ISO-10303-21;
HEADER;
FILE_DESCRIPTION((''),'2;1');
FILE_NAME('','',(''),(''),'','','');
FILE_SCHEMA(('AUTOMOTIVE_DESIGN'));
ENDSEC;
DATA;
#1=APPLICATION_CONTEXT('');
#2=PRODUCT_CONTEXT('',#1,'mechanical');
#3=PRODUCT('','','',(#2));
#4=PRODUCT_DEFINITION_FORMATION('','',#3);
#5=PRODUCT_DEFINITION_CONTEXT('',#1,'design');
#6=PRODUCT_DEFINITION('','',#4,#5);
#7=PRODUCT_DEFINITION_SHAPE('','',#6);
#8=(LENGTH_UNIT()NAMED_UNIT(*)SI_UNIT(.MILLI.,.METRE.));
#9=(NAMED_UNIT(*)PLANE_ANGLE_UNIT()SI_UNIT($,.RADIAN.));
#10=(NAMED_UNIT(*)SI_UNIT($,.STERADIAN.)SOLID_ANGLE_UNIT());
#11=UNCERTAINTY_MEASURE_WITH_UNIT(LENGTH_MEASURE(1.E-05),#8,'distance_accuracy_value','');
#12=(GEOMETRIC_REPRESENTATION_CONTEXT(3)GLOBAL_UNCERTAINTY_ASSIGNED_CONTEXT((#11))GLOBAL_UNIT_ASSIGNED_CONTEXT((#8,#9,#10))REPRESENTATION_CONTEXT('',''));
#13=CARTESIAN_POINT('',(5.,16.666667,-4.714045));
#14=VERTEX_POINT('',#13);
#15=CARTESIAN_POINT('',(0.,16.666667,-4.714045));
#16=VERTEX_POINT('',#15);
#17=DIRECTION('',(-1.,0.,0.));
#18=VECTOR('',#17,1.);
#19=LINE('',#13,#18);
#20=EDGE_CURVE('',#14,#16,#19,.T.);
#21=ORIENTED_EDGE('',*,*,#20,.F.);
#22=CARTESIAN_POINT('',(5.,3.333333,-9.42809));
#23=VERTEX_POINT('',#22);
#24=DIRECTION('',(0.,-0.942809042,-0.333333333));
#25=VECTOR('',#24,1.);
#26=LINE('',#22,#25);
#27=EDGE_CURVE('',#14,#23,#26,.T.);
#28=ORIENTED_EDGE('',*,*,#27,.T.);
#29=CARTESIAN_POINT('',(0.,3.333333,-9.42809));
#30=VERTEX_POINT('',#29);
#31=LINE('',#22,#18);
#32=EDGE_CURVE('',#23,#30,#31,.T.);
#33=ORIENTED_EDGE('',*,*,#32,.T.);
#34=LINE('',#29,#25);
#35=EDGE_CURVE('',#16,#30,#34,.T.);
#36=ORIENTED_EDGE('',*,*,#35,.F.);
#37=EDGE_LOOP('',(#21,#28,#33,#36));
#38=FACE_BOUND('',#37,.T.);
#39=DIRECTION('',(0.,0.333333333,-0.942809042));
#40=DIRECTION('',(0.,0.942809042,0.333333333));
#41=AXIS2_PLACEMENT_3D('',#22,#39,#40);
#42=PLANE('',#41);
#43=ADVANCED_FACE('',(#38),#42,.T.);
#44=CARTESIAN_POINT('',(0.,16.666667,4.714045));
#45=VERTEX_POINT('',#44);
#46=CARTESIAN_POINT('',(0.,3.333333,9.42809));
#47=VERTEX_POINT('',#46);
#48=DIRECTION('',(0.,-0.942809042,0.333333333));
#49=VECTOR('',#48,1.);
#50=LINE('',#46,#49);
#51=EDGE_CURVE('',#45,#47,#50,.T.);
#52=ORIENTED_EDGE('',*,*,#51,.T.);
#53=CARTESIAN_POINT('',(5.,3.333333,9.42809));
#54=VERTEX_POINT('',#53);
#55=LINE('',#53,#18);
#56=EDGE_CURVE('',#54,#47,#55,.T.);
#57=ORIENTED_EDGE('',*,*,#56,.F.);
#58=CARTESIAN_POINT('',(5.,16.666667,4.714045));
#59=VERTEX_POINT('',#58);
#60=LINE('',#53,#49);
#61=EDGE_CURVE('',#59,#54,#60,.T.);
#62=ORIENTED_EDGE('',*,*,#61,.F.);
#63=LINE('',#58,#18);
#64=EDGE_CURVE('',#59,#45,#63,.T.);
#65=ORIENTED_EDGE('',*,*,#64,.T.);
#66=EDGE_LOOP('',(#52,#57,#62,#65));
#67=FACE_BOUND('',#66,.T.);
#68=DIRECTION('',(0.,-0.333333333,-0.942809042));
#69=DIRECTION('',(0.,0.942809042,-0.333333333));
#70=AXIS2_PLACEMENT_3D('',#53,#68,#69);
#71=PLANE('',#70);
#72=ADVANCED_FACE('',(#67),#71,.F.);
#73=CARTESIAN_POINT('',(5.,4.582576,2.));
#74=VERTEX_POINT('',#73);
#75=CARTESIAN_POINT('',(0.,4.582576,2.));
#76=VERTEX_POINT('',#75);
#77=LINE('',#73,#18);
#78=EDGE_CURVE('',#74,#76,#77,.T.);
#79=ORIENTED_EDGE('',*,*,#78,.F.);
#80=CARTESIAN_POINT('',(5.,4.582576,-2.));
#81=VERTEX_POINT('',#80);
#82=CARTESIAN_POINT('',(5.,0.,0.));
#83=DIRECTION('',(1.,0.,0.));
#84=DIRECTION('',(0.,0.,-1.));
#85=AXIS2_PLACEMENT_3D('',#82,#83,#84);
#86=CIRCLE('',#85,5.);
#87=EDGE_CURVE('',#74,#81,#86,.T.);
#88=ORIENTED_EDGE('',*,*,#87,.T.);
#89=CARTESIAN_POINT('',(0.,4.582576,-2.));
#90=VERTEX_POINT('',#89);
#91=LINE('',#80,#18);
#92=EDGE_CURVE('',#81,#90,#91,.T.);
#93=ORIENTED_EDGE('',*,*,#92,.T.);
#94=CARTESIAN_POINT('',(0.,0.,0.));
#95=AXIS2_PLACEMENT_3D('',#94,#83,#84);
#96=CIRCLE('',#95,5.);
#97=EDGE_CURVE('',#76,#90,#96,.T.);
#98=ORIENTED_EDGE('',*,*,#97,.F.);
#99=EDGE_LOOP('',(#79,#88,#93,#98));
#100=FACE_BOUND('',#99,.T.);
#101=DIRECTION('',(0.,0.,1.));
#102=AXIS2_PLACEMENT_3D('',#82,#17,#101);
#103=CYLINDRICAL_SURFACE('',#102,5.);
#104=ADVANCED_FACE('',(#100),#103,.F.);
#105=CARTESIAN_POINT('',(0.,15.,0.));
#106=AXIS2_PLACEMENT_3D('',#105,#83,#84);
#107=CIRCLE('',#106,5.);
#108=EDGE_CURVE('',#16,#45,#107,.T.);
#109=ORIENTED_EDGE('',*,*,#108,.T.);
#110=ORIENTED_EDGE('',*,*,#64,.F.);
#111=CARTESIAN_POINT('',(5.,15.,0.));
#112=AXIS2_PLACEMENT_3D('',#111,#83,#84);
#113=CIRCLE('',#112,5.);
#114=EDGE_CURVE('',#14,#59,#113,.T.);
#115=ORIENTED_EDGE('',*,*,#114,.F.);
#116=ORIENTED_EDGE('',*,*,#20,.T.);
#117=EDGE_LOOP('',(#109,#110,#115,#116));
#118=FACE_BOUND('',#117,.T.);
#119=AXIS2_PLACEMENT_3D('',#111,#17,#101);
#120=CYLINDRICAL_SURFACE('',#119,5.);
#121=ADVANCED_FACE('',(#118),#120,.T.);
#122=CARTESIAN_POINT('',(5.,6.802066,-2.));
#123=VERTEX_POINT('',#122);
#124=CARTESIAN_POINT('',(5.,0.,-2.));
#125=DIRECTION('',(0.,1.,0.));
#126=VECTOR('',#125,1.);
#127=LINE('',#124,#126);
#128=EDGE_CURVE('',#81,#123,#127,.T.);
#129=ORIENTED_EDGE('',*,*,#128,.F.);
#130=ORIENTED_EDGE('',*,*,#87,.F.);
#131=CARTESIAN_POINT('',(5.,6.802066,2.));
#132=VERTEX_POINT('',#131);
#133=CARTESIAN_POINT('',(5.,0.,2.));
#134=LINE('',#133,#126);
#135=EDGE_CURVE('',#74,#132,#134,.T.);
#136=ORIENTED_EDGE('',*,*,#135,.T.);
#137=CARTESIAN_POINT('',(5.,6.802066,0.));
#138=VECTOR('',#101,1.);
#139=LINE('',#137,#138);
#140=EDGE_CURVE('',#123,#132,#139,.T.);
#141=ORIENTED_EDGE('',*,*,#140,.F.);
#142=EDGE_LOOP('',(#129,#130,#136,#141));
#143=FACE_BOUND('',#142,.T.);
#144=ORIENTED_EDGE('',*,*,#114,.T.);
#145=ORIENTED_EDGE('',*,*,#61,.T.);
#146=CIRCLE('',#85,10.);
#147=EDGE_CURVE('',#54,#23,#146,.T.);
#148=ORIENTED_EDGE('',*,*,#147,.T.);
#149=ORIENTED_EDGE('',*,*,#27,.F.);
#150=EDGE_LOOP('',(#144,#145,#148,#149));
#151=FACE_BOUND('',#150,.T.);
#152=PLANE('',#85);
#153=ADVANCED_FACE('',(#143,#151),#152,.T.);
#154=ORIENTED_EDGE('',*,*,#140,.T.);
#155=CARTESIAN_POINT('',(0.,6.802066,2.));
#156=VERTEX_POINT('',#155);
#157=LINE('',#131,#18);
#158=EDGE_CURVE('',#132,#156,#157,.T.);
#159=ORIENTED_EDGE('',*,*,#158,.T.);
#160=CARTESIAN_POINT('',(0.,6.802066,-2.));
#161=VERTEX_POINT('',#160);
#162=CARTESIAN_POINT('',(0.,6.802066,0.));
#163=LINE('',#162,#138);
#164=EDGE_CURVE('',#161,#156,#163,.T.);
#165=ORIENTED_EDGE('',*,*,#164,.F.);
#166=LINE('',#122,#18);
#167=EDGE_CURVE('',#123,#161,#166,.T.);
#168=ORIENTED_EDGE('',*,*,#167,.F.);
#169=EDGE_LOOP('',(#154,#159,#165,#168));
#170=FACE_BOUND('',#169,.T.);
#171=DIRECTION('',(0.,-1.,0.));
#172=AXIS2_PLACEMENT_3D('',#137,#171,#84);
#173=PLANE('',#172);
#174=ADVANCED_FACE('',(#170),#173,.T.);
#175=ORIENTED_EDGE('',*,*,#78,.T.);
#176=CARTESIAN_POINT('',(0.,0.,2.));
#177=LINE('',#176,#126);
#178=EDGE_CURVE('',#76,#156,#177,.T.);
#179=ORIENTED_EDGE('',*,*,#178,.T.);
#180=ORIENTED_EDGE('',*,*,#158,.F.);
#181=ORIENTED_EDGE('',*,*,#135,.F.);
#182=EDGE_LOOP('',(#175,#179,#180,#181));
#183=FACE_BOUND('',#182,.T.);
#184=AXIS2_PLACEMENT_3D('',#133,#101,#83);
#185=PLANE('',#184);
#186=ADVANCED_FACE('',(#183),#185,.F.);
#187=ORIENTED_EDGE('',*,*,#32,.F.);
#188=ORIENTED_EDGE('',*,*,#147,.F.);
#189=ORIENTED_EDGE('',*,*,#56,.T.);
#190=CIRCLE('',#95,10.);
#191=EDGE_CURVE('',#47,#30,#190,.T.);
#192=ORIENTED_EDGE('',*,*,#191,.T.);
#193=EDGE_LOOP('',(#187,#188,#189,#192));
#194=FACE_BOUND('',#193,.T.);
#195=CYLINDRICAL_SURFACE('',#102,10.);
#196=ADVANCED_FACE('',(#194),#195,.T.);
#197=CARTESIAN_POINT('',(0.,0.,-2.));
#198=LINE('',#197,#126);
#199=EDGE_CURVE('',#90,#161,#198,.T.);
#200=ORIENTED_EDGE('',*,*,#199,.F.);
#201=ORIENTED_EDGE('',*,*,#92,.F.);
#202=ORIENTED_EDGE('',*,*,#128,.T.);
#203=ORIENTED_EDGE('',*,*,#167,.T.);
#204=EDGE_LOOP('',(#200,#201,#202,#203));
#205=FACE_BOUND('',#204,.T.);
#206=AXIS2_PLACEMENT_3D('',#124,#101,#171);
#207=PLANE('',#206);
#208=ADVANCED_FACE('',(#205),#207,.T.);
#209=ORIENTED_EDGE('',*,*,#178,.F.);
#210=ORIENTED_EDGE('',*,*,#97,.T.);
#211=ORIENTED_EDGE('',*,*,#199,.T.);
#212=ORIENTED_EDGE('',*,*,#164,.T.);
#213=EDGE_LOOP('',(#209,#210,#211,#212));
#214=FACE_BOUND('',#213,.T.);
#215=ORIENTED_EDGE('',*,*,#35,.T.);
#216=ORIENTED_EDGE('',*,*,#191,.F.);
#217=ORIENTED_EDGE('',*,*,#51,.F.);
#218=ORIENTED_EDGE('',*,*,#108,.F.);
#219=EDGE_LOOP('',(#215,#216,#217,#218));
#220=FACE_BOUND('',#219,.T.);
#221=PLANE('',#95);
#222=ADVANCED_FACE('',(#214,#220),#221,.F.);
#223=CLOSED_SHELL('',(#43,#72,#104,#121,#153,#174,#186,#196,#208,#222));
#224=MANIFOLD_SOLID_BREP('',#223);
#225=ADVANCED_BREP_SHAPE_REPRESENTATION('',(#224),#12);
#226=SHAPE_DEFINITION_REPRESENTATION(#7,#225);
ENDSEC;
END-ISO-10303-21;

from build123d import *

# Parameters (mm, degrees)
BOSS_EXTRUDE1_DEPTH = 5


with BuildPart() as part:
    # Sketch1 → Boss-Extrude1 (new body)
    with BuildSketch(Plane(origin=(0, 0, 0), x_dir=(0, 0, -1), z_dir=(1, 0, 0))):
        with BuildLine():
            ThreePointArc((4.714045208, 16.666666667), (0, 20), (-4.714045208, 16.666666667))
            Line((-4.714045208, 16.666666667), (-9.428090416, 3.333333333))
            ThreePointArc((-9.428090416, 3.333333333), (0, -10), (9.428090416, 3.333333333))
            Line((9.428090416, 3.333333333), (4.714045208, 16.666666667))
        make_face()
        with BuildLine():
            ThreePointArc((2, 4.582575695), (0, -5), (-2, 4.582575695))
            Line((-2, 4.582575695), (-2, 6.802065863))
            Line((-2, 6.802065863), (2, 6.802065863))
            Line((2, 6.802065863), (2, 4.582575695))
        make_face(mode=Mode.SUBTRACT)
    extrude(amount=BOSS_EXTRUDE1_DEPTH)


solid = part.part
